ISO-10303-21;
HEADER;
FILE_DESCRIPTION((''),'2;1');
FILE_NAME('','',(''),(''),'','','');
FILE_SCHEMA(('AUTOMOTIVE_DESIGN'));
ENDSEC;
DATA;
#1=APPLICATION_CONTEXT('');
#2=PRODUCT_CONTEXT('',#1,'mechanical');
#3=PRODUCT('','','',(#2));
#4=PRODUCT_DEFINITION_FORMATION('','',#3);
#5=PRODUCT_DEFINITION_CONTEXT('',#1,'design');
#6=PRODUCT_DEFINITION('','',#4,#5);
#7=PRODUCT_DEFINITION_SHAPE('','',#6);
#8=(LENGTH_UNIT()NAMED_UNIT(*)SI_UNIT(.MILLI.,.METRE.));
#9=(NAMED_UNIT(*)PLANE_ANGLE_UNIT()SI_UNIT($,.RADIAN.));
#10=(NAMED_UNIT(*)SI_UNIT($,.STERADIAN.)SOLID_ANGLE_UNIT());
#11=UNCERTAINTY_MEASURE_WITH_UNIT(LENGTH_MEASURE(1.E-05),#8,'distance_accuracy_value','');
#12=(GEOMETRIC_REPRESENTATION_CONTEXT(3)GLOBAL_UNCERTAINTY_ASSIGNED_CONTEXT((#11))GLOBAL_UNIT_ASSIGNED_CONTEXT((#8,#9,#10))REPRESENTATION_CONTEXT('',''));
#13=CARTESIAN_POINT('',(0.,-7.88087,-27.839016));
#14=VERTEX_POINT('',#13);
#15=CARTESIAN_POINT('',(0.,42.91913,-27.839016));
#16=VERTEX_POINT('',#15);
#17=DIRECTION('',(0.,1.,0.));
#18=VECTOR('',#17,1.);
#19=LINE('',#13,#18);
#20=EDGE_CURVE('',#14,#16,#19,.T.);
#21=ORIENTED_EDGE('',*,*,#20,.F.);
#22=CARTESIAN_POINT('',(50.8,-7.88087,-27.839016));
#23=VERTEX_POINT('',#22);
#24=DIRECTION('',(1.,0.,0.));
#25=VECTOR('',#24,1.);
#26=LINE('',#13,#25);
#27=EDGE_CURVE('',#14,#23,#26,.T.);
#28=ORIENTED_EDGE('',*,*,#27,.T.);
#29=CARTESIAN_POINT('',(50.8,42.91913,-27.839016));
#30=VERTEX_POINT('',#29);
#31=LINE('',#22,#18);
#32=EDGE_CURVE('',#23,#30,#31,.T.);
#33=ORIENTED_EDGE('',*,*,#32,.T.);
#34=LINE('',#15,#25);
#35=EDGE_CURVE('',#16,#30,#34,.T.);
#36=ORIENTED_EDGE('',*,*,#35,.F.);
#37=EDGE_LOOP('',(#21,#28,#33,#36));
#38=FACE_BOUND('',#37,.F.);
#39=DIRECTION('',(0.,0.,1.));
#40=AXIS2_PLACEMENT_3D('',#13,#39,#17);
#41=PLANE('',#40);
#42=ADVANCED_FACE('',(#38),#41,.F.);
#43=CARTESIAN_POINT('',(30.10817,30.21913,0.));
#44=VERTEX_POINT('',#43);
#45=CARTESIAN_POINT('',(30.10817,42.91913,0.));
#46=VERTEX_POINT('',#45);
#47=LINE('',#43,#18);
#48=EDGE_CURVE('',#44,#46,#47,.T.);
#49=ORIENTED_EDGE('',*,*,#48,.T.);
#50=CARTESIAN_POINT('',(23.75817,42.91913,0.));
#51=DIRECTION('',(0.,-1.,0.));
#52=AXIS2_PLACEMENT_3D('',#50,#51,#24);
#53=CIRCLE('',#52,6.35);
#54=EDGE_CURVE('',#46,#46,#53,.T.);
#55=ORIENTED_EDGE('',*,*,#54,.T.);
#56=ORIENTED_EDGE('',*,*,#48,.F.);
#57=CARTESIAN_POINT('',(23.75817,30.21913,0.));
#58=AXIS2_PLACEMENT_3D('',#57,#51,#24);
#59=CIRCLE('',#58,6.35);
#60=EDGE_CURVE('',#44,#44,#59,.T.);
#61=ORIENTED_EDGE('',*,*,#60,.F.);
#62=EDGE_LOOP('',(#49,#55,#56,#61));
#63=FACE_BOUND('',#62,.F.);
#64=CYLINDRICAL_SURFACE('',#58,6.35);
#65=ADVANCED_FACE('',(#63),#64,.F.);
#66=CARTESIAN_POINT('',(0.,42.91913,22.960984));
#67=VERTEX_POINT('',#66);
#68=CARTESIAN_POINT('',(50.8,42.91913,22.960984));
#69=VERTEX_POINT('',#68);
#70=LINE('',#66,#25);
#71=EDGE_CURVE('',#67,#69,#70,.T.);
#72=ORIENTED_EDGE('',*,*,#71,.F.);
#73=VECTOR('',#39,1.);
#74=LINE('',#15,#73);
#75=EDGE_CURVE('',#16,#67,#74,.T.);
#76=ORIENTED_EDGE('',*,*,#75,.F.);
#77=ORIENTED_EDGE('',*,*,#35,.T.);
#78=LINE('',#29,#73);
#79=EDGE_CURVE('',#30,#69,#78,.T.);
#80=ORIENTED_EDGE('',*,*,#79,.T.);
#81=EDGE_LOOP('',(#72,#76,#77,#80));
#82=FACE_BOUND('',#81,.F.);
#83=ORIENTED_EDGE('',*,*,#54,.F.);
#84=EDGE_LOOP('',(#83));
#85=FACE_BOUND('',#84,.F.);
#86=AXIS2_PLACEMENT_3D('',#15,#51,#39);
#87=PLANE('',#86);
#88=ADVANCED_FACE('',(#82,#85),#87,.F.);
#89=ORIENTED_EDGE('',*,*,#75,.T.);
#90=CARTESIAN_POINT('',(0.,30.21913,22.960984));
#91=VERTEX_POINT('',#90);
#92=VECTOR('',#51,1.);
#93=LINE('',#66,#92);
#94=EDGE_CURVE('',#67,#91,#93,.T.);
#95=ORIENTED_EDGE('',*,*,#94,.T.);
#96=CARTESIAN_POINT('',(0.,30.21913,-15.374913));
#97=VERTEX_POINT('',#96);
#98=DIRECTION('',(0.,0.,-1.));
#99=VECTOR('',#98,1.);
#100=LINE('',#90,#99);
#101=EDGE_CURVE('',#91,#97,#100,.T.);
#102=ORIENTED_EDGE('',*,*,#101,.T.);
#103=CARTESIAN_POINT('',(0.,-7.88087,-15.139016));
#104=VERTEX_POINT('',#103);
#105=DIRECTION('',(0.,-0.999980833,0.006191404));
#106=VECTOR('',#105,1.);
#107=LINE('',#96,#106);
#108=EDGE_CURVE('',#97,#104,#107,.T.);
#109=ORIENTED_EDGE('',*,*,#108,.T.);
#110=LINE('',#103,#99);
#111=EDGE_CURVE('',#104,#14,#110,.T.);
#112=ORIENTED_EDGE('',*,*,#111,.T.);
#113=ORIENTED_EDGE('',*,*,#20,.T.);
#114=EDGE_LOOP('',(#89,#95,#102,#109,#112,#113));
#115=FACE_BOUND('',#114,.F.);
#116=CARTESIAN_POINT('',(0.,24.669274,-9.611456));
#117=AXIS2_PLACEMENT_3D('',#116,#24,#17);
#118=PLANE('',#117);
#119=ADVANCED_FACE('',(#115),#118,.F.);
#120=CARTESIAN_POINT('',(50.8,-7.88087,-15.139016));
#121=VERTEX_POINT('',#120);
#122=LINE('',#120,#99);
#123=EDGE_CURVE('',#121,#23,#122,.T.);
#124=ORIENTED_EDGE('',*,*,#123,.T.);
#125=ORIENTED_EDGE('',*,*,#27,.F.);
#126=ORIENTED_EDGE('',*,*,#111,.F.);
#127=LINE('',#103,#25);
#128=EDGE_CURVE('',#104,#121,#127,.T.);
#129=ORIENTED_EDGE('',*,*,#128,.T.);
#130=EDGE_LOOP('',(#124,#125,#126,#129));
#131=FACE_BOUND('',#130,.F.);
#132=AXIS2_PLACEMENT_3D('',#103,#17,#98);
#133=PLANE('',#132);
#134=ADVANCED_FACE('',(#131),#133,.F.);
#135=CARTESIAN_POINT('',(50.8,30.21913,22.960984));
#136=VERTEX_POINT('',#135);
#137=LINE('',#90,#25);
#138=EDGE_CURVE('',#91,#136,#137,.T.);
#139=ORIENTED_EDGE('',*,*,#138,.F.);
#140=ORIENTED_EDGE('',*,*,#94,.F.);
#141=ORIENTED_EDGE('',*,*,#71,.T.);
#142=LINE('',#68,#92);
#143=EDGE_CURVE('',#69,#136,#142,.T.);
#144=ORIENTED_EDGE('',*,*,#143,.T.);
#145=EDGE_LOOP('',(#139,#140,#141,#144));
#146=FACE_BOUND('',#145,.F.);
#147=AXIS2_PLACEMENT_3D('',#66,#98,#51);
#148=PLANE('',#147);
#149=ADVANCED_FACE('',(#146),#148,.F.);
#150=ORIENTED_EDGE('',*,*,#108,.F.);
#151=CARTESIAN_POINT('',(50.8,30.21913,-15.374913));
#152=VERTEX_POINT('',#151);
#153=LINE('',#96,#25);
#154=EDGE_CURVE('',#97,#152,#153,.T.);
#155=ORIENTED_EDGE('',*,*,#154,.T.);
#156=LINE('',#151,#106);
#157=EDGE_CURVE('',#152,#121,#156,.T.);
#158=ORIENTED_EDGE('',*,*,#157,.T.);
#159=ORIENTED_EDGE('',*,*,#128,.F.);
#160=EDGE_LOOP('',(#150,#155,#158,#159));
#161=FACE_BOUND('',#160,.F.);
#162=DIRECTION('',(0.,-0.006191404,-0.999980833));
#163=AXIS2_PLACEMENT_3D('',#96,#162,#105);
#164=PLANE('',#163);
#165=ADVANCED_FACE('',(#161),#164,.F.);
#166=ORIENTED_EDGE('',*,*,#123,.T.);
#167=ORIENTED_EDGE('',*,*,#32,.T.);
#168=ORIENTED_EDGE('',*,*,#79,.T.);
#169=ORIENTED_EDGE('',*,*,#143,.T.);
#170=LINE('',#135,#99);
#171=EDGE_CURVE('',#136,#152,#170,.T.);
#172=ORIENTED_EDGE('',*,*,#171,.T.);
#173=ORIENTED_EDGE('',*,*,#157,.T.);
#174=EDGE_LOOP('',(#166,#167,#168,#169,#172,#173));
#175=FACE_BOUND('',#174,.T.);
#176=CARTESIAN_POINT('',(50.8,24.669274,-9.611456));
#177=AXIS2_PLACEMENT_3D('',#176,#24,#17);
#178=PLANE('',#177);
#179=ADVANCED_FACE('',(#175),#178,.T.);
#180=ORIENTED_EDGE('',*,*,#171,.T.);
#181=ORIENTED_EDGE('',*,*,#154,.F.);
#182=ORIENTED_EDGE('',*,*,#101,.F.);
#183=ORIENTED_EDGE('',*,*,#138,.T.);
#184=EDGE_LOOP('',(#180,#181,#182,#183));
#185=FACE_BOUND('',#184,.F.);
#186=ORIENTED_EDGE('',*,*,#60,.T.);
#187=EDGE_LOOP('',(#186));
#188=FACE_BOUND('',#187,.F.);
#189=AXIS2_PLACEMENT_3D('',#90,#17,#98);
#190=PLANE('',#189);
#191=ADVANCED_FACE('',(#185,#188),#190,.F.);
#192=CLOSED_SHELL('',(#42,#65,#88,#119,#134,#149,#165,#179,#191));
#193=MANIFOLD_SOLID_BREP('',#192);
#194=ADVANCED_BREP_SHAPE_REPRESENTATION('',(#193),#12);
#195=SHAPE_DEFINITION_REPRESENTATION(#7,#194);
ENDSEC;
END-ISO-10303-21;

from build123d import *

# Parameters (mm, degrees)
F1_DEPTH = 50.8
F2_R     = 6.35
F3_DEPTH = 25.4


with BuildPart() as f1:
    # F0 (on Right) → F1 (new body)
    with BuildSketch(Plane.YZ):
        Polygon((42.91913, -27.839016), (42.91913, 22.960984), (30.21913, 22.960984), (30.21913, -15.374913), (-7.88087, -15.139016), (-7.88087, -27.839016), align=None)
    extrude(amount=F1_DEPTH)

    # F2 (on face) → F3 (cut)
    with BuildSketch(Plane.XZ.offset(-30.21913)):
        with Locations((23.75817, 0)):
            Circle(F2_R)
    extrude(amount=-F3_DEPTH, mode=Mode.SUBTRACT)


solid = f1.part
